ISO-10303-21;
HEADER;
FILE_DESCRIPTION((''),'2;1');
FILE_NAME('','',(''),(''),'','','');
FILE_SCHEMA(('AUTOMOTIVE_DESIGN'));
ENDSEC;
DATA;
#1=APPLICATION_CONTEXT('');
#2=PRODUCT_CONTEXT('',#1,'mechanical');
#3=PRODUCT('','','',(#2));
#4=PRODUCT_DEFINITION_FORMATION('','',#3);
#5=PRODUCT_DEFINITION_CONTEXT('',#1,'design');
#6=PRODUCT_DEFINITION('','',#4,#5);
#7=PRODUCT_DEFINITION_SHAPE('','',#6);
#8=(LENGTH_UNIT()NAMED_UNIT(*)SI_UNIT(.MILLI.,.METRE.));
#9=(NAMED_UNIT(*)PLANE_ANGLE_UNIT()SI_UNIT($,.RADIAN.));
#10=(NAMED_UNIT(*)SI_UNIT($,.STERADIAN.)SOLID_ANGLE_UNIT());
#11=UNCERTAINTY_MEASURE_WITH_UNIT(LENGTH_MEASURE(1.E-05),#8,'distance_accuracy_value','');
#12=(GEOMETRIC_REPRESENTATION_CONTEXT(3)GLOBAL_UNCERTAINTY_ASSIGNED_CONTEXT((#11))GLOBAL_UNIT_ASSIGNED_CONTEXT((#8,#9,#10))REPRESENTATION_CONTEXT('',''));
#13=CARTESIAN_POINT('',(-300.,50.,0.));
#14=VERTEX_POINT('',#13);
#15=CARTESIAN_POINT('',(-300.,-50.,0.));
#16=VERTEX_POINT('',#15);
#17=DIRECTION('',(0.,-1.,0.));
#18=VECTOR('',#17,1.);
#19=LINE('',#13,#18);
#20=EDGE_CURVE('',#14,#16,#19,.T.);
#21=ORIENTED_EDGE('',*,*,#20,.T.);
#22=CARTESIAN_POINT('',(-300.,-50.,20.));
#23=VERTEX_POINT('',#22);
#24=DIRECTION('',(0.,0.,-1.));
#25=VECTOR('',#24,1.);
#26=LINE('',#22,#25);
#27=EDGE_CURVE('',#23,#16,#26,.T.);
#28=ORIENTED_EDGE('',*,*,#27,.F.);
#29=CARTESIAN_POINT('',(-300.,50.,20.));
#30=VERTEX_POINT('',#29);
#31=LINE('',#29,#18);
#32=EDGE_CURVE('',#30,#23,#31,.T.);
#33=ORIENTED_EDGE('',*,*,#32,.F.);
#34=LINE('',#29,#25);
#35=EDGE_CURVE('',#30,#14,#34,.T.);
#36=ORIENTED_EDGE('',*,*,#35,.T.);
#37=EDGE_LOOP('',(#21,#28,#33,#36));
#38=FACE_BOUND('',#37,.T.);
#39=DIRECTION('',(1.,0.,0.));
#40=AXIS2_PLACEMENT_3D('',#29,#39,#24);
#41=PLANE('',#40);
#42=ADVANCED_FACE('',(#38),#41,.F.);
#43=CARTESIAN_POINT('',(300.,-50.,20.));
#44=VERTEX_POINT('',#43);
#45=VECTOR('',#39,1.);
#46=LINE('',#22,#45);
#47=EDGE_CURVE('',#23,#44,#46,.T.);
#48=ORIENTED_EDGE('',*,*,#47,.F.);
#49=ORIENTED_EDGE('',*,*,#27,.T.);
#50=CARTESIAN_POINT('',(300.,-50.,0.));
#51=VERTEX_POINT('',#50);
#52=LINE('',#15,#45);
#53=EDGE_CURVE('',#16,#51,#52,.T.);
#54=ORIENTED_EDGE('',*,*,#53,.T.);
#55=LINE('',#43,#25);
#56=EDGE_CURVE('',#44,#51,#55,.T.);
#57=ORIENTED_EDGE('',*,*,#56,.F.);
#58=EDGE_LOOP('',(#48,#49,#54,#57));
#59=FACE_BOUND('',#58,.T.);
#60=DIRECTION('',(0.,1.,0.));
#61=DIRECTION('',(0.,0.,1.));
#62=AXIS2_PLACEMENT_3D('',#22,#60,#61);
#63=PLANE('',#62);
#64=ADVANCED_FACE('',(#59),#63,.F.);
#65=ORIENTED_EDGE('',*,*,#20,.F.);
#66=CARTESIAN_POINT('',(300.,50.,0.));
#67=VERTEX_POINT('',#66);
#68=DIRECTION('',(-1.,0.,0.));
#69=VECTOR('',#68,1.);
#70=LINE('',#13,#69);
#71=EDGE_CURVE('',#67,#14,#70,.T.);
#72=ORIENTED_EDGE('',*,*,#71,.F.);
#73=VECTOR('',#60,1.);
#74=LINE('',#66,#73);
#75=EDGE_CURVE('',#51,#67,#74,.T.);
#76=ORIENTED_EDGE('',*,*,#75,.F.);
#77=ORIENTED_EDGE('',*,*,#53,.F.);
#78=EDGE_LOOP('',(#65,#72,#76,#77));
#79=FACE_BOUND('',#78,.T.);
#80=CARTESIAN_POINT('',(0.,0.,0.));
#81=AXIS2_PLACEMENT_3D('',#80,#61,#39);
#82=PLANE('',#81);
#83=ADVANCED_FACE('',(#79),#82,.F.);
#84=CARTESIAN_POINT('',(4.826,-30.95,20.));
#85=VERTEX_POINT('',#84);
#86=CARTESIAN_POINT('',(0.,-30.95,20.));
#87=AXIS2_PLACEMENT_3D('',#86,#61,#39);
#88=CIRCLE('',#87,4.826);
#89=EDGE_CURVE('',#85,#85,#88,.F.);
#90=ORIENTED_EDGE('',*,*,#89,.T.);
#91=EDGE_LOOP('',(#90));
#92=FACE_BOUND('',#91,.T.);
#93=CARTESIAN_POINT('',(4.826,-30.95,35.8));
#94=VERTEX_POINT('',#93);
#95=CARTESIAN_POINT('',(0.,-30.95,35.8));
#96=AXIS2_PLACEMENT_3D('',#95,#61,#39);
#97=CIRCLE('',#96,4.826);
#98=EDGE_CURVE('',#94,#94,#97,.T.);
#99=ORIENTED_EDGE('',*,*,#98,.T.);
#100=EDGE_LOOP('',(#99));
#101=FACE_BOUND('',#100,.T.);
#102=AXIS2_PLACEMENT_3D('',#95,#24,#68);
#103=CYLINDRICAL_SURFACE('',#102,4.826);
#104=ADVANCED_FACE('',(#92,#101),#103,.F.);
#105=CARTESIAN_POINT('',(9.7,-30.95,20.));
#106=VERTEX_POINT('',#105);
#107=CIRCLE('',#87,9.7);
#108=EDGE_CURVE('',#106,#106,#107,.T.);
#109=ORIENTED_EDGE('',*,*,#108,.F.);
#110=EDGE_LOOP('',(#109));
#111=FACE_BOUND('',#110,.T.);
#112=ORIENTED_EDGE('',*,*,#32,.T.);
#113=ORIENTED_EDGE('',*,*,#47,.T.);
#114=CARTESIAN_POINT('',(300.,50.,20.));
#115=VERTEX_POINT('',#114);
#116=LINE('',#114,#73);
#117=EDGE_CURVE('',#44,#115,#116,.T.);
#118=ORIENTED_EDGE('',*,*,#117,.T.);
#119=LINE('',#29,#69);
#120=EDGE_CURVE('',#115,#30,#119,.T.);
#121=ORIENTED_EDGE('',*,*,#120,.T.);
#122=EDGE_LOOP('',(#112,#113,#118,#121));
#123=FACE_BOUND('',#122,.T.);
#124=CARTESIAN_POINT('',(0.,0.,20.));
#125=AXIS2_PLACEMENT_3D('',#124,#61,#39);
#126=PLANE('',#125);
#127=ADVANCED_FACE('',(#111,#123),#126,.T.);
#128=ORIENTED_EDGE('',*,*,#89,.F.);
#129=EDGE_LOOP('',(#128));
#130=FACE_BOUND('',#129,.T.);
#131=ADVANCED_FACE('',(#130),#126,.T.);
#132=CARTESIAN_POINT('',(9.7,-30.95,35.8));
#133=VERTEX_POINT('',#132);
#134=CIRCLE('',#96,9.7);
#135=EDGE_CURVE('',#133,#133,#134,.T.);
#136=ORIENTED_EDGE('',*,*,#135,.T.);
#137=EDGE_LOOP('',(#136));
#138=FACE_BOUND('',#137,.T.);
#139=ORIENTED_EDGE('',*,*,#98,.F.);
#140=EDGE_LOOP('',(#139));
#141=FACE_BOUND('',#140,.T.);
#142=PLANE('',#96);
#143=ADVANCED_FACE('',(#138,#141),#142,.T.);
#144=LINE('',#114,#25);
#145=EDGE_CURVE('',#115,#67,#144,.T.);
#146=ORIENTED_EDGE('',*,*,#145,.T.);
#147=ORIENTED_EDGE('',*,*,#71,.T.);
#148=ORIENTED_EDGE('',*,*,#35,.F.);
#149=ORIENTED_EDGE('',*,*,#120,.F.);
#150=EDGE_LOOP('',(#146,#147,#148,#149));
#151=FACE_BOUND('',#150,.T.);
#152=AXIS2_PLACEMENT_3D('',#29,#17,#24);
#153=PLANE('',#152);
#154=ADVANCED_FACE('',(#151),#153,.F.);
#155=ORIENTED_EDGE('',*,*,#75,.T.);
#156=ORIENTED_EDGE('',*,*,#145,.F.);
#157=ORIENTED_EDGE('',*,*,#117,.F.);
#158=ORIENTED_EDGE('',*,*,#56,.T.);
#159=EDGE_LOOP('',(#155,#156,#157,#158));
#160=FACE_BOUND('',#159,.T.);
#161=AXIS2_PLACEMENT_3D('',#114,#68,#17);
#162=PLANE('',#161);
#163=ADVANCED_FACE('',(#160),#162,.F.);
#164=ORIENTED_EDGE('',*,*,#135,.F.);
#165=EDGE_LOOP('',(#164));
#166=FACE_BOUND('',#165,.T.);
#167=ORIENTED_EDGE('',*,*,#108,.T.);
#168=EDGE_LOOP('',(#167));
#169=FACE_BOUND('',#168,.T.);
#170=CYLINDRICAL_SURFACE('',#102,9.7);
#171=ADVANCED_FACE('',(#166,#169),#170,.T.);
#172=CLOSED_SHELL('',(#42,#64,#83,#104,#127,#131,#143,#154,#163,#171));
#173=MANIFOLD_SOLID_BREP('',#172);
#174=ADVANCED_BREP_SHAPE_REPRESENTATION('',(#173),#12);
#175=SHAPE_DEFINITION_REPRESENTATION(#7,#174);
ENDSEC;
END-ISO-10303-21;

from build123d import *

# Parameters (mm, degrees)
SKETCH1_W           = 600
SKETCH1_H           = 100
BOSS_EXTRUDE1_DEPTH = 20
SKETCH2_R           = 9.7
SKETCH2_R_2         = 4.826
BOSS_EXTRUDE2_DEPTH = 15.8


with BuildPart() as part:
    # Sketch1 → Boss-Extrude1 (new body)
    with BuildSketch(Plane.XY):
        Rectangle(SKETCH1_W, SKETCH1_H)
    extrude(amount=BOSS_EXTRUDE1_DEPTH)

    # Sketch2 → Boss-Extrude2 (add)
    with BuildSketch(Plane.XY.offset(20)):
        with Locations((0, -30.95)):
            Circle(SKETCH2_R)
        with Locations((0, -30.95)):
            Circle(SKETCH2_R_2, mode=Mode.SUBTRACT)
    extrude(amount=BOSS_EXTRUDE2_DEPTH)


solid = part.part
